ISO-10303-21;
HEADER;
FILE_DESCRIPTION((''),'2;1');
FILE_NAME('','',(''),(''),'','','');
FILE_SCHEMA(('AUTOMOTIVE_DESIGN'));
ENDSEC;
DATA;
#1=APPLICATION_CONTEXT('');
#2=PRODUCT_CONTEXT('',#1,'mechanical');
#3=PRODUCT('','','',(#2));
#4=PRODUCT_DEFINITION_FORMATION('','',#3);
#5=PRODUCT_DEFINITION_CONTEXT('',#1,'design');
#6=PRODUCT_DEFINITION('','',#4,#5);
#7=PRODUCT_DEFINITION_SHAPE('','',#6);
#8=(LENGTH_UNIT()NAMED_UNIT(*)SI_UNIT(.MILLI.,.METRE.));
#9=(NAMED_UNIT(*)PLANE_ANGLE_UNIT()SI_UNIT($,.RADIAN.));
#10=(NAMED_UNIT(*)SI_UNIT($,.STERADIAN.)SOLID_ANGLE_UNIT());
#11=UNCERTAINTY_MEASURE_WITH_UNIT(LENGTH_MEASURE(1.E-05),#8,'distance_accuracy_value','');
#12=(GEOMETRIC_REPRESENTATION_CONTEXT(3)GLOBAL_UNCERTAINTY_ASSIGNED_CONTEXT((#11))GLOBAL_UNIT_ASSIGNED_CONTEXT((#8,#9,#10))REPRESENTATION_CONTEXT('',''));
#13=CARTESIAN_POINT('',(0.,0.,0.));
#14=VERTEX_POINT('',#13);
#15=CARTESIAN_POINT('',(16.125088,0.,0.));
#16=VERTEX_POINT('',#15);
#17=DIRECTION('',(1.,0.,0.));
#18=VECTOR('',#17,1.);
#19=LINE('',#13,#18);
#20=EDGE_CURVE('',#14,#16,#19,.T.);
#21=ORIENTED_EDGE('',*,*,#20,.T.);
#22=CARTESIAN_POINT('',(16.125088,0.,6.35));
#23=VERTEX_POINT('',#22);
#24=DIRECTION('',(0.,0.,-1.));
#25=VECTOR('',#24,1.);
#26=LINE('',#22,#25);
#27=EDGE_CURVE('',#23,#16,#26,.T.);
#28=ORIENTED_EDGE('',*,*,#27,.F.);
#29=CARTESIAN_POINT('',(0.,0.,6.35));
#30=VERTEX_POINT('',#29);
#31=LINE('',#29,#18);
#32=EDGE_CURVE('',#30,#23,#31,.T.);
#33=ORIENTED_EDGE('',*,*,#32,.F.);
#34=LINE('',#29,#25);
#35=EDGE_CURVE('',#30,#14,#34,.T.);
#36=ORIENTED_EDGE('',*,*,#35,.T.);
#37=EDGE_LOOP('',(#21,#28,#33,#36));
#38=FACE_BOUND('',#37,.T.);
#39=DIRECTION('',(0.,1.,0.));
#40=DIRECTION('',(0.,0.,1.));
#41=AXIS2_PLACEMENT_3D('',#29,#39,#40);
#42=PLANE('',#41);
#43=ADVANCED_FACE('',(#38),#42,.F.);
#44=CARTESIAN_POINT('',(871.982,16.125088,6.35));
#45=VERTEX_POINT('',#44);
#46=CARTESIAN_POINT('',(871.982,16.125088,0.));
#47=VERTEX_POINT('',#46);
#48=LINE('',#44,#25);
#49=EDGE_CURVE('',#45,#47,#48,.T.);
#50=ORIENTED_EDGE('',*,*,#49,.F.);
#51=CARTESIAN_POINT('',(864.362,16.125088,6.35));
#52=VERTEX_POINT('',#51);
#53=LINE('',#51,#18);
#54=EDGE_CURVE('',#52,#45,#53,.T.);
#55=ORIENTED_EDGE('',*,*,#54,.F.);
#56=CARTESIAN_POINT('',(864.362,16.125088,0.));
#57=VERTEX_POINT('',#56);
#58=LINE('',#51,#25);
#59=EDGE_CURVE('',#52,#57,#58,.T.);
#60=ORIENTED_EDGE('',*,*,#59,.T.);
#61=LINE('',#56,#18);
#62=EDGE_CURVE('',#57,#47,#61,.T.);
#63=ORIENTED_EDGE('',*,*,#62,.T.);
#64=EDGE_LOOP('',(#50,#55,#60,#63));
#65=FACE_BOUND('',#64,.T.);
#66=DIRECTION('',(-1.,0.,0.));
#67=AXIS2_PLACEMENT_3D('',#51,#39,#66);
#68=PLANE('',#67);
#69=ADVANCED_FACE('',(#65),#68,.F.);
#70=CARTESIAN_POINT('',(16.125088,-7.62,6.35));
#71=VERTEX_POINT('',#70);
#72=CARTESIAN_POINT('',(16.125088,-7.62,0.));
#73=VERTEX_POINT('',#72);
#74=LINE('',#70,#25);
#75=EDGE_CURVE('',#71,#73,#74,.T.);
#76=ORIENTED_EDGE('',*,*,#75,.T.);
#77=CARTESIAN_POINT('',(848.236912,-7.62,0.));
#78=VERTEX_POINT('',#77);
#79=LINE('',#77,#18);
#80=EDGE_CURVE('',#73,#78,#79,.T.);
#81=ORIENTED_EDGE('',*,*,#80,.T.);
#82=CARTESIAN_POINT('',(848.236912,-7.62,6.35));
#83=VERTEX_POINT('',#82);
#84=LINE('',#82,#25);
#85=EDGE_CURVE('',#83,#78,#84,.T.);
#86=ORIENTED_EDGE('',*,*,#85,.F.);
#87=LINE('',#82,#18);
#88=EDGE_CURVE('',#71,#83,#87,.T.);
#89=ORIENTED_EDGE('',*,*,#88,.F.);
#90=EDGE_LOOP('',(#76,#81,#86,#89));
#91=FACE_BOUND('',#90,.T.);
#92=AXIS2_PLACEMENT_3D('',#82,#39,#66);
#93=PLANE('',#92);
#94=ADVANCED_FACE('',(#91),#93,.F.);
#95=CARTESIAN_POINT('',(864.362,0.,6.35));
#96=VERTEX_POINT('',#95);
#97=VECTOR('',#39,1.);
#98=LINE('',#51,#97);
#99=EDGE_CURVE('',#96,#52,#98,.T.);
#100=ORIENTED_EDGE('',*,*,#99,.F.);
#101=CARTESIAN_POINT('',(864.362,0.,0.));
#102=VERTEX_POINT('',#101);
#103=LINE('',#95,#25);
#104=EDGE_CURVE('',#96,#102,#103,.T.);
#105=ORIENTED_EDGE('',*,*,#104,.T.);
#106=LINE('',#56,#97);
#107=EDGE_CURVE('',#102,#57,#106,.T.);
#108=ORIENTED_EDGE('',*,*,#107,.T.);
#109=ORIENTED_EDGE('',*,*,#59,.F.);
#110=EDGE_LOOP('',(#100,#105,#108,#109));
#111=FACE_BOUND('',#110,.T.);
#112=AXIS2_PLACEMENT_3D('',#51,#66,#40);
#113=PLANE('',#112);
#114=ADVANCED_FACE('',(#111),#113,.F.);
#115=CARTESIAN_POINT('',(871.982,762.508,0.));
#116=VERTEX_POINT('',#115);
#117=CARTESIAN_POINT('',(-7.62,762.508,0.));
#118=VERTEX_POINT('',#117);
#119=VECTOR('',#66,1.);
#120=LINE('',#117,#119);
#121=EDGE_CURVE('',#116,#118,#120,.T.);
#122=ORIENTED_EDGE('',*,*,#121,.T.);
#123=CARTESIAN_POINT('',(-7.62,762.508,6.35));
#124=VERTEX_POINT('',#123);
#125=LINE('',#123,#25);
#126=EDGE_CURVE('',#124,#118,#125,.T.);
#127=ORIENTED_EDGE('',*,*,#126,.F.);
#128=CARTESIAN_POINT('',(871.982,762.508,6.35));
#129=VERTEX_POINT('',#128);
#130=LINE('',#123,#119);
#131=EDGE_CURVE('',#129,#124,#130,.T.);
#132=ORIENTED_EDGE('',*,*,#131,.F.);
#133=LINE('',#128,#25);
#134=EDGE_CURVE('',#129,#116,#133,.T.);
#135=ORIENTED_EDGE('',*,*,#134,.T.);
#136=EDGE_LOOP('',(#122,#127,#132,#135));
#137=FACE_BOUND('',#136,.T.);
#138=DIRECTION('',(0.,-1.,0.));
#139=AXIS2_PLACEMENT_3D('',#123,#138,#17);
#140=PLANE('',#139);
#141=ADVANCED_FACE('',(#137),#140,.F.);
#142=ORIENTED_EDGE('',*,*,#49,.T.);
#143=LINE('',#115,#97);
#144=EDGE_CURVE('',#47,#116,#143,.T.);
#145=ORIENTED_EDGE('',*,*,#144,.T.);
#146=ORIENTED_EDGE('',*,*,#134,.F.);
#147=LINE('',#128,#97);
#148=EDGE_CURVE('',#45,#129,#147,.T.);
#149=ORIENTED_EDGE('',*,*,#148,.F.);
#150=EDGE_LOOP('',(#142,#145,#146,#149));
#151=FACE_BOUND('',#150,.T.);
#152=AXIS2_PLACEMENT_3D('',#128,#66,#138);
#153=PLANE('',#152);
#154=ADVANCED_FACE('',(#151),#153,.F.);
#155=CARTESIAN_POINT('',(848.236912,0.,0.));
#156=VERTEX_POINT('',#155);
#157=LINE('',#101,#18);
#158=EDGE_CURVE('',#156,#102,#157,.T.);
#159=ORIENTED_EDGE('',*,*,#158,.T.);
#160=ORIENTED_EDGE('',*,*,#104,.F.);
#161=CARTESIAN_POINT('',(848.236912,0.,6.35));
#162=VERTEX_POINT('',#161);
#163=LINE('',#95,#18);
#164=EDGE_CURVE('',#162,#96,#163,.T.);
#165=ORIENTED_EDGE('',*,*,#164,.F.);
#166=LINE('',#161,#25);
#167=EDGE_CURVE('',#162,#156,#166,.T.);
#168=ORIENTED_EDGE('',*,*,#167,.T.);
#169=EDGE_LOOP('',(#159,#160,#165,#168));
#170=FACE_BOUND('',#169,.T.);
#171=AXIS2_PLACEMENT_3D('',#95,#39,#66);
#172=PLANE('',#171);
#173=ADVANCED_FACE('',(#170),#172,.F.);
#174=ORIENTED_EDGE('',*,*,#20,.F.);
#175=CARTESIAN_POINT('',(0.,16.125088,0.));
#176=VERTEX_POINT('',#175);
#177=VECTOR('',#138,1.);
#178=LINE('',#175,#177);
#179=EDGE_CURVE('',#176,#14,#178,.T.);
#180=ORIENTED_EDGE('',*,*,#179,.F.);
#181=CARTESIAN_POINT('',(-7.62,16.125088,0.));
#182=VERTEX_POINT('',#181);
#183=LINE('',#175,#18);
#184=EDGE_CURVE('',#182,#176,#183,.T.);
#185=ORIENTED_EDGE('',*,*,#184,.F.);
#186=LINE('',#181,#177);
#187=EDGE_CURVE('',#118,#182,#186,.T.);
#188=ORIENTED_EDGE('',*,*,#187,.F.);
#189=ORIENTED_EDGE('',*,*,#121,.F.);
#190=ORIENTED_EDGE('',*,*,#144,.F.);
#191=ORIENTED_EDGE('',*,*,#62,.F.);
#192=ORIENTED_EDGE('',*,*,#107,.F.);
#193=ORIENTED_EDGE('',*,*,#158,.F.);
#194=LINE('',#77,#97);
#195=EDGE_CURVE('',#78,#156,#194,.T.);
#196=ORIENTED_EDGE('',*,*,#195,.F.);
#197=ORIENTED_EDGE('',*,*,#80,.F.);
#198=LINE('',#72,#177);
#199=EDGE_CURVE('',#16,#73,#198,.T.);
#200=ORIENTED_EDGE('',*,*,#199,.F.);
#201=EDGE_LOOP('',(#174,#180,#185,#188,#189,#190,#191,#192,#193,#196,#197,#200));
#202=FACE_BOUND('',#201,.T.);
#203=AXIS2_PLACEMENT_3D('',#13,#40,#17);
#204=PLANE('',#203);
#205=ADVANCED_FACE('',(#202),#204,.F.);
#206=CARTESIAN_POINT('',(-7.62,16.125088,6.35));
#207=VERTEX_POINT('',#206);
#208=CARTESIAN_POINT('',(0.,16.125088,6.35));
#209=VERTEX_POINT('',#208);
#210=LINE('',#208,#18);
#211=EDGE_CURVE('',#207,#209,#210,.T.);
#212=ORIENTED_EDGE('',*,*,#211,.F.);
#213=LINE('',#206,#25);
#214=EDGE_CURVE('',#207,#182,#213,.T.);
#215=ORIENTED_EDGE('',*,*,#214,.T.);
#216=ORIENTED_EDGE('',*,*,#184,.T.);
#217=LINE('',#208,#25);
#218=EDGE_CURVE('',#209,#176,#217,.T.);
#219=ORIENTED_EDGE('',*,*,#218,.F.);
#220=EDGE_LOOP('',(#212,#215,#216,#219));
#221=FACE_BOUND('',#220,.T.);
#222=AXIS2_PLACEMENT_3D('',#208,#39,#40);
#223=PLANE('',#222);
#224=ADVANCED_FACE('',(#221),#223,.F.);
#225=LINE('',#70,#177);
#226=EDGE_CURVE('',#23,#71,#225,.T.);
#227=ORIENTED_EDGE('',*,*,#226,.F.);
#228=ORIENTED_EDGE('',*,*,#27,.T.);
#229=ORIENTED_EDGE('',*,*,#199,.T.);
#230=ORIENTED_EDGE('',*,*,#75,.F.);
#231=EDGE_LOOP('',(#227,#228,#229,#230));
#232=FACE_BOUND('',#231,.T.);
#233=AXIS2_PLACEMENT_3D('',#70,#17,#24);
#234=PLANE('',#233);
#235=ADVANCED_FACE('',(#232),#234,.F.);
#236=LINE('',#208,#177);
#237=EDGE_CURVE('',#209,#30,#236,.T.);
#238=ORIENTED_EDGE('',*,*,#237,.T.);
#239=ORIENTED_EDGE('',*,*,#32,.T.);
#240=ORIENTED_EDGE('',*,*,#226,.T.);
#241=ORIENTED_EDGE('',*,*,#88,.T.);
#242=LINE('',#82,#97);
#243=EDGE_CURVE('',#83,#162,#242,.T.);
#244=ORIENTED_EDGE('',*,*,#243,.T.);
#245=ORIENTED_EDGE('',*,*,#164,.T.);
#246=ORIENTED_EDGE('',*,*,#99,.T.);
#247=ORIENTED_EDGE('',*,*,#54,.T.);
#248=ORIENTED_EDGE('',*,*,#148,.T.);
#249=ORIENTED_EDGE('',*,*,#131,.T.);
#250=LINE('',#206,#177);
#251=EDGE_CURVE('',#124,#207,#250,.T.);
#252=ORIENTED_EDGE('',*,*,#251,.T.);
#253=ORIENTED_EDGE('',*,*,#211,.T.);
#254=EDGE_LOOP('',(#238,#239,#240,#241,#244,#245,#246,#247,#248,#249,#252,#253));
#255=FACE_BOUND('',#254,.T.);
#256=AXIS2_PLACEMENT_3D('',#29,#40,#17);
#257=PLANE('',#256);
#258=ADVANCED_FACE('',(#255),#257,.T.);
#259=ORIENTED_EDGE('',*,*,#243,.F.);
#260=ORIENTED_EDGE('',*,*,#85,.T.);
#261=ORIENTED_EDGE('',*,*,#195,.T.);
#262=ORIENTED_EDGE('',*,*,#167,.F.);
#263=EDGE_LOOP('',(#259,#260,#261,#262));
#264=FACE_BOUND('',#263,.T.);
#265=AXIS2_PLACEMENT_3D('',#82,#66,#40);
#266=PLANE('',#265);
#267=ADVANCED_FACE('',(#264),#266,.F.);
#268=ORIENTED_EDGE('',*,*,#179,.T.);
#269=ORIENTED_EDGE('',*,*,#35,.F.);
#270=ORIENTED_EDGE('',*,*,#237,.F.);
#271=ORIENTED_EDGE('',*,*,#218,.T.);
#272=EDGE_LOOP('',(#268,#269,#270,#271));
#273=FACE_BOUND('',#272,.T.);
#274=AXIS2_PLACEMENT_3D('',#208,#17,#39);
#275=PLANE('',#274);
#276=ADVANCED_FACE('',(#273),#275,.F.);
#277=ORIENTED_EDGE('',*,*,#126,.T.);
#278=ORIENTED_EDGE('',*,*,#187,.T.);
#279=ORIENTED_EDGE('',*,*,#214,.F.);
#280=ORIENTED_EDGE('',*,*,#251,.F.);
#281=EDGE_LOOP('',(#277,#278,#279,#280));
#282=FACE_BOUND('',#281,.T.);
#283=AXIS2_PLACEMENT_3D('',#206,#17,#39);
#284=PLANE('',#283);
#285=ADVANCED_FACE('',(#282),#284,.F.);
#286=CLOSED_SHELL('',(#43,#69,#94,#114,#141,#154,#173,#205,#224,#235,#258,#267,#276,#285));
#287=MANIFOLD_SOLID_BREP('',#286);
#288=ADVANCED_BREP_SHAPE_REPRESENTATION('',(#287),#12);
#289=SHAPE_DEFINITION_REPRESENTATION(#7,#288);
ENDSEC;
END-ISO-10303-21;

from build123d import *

# Parameters (mm, degrees)
BOSS_EXTRUDE1_DEPTH = 6.35


with BuildPart() as part:
    # Sketch1 → Boss-Extrude1 (new body)
    with BuildSketch(Plane.XY):
        Polygon((16.125088169, -7.62), (16.125088169, 0), (0, 0), (0, 16.125088169), (-7.62, 16.125088169), (-7.62, 762.508), (871.982, 762.508), (871.982, 16.125088169), (864.362, 16.125088169), (864.362, 0), (848.236911831, 0), (848.236911831, -7.62), align=None)
    extrude(amount=BOSS_EXTRUDE1_DEPTH)


solid = part.part
